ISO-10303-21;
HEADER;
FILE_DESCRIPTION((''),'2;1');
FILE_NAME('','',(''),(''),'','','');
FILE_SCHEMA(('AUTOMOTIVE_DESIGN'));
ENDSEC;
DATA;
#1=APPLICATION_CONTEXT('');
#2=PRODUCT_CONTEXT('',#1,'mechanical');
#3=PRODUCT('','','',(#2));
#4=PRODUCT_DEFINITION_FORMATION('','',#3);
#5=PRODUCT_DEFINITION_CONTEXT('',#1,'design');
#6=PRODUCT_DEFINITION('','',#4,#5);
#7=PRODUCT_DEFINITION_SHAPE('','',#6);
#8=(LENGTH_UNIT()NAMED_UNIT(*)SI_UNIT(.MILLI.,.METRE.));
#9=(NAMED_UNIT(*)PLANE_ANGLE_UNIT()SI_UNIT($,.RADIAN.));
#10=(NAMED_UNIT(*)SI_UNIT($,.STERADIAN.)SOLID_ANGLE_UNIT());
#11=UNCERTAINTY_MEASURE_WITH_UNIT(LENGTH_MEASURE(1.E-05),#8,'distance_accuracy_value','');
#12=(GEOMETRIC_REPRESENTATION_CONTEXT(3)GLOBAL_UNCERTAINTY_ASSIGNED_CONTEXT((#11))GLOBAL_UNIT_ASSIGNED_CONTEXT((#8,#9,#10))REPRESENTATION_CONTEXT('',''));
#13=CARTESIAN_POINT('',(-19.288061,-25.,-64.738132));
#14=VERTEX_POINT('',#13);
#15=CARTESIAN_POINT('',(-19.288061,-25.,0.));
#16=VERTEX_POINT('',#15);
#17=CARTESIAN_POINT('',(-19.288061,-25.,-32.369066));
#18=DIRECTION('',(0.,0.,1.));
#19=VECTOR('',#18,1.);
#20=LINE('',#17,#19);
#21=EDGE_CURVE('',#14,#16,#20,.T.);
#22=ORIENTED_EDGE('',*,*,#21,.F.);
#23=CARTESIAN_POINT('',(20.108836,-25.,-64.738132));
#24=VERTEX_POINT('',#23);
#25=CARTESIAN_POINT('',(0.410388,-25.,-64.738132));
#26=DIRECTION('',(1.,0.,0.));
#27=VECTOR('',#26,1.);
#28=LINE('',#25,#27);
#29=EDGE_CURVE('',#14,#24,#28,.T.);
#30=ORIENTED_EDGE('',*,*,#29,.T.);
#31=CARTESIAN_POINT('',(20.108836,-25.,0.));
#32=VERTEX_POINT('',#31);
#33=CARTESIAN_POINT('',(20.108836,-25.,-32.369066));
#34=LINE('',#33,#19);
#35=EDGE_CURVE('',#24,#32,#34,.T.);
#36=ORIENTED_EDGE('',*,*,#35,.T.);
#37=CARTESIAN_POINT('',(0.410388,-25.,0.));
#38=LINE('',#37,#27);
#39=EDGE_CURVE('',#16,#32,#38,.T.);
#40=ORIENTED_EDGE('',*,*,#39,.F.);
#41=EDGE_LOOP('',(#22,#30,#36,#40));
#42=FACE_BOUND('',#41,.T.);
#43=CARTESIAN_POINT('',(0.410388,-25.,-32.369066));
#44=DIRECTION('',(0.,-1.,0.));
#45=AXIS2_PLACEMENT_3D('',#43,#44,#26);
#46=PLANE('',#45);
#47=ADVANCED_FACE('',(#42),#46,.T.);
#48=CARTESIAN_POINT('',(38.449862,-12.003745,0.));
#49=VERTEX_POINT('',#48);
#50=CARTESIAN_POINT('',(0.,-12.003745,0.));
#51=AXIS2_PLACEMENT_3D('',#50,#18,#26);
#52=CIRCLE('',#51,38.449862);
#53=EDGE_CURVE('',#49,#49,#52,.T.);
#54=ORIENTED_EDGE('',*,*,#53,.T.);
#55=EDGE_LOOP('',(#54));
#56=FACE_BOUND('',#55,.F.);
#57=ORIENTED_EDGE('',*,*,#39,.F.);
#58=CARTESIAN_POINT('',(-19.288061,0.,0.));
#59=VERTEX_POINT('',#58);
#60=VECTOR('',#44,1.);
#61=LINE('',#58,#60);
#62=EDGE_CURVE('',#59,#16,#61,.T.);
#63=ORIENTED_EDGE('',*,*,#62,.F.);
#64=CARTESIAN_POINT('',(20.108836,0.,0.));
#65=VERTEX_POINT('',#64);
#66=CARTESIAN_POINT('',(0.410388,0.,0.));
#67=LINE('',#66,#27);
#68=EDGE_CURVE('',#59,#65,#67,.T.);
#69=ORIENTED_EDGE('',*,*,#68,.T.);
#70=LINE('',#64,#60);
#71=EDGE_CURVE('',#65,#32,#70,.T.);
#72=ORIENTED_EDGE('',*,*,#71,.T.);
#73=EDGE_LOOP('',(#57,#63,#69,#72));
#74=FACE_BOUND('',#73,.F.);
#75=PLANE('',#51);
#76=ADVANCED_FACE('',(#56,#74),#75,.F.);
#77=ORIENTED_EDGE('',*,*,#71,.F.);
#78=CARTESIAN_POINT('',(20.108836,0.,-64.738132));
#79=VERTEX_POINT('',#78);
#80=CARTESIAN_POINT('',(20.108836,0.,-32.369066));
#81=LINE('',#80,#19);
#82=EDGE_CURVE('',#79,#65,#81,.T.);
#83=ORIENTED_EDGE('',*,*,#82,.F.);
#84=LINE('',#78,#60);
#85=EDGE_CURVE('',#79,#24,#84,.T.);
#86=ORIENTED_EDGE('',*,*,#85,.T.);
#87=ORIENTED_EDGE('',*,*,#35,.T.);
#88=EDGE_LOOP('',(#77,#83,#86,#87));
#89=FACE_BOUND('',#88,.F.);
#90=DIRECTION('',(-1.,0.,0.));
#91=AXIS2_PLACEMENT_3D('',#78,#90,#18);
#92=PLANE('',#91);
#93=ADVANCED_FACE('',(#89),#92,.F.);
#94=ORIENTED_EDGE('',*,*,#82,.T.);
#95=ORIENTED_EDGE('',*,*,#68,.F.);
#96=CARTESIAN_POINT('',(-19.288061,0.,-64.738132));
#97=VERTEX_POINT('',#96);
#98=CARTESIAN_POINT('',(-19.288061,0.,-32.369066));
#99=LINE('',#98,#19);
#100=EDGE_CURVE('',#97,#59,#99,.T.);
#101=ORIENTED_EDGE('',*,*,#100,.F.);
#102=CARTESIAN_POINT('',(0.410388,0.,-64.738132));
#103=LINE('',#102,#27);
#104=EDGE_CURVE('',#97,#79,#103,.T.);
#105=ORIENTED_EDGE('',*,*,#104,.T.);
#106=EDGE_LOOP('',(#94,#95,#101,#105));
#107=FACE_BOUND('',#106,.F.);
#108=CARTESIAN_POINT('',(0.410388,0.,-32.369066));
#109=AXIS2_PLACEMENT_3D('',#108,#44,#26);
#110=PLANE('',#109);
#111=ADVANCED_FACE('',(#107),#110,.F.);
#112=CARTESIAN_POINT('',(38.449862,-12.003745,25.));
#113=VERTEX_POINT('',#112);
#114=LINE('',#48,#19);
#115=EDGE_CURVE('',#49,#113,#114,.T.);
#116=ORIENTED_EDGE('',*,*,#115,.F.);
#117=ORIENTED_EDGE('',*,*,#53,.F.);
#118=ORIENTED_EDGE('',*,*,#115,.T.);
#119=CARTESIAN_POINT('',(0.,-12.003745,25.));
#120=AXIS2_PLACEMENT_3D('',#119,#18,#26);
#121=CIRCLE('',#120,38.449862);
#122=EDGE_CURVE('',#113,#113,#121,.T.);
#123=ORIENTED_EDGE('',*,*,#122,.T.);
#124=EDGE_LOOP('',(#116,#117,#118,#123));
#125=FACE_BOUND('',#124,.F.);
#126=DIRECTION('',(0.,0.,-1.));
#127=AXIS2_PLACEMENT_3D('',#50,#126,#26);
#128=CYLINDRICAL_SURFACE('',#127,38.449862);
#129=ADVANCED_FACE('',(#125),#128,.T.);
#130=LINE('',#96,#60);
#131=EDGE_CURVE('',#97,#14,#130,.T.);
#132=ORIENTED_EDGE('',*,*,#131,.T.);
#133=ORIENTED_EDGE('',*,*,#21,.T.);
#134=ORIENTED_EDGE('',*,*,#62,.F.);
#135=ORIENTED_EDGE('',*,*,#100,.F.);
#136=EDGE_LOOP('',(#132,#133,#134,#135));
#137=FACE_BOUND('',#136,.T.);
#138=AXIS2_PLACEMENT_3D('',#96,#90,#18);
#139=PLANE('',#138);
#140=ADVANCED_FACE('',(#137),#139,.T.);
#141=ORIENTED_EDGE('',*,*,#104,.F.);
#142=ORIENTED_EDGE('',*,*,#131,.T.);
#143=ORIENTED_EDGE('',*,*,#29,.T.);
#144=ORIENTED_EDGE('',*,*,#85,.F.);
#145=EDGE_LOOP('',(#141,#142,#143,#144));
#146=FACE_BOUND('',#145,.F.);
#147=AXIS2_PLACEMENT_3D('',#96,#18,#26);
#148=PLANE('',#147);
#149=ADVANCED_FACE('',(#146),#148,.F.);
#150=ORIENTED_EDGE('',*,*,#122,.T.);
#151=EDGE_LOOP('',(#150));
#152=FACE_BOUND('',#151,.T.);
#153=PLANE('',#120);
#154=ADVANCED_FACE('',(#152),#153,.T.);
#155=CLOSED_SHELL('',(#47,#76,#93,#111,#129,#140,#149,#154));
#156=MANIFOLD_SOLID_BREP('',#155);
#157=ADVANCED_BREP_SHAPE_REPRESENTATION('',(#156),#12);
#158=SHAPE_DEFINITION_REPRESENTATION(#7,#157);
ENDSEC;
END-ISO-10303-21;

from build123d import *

# Parameters (mm, degrees)
F0_W     = 39.396897
F0_H     = 64.738132
F1_DEPTH = 25
F2_R     = 38.449862
F3_DEPTH = 25


with BuildPart() as f1:
    # F0 (on Front) → F1 (new body)
    with BuildSketch(Plane.XZ):
        with Locations((0.410388, -32.369066)):
            Rectangle(F0_W, F0_H)
    extrude(amount=F1_DEPTH)

    # F2 (on Top) → F3 (join)
    with BuildSketch(Plane.XY):
        with Locations((0, -12.003745)):
            Circle(F2_R)
    extrude(amount=F3_DEPTH)


solid = f1.part
